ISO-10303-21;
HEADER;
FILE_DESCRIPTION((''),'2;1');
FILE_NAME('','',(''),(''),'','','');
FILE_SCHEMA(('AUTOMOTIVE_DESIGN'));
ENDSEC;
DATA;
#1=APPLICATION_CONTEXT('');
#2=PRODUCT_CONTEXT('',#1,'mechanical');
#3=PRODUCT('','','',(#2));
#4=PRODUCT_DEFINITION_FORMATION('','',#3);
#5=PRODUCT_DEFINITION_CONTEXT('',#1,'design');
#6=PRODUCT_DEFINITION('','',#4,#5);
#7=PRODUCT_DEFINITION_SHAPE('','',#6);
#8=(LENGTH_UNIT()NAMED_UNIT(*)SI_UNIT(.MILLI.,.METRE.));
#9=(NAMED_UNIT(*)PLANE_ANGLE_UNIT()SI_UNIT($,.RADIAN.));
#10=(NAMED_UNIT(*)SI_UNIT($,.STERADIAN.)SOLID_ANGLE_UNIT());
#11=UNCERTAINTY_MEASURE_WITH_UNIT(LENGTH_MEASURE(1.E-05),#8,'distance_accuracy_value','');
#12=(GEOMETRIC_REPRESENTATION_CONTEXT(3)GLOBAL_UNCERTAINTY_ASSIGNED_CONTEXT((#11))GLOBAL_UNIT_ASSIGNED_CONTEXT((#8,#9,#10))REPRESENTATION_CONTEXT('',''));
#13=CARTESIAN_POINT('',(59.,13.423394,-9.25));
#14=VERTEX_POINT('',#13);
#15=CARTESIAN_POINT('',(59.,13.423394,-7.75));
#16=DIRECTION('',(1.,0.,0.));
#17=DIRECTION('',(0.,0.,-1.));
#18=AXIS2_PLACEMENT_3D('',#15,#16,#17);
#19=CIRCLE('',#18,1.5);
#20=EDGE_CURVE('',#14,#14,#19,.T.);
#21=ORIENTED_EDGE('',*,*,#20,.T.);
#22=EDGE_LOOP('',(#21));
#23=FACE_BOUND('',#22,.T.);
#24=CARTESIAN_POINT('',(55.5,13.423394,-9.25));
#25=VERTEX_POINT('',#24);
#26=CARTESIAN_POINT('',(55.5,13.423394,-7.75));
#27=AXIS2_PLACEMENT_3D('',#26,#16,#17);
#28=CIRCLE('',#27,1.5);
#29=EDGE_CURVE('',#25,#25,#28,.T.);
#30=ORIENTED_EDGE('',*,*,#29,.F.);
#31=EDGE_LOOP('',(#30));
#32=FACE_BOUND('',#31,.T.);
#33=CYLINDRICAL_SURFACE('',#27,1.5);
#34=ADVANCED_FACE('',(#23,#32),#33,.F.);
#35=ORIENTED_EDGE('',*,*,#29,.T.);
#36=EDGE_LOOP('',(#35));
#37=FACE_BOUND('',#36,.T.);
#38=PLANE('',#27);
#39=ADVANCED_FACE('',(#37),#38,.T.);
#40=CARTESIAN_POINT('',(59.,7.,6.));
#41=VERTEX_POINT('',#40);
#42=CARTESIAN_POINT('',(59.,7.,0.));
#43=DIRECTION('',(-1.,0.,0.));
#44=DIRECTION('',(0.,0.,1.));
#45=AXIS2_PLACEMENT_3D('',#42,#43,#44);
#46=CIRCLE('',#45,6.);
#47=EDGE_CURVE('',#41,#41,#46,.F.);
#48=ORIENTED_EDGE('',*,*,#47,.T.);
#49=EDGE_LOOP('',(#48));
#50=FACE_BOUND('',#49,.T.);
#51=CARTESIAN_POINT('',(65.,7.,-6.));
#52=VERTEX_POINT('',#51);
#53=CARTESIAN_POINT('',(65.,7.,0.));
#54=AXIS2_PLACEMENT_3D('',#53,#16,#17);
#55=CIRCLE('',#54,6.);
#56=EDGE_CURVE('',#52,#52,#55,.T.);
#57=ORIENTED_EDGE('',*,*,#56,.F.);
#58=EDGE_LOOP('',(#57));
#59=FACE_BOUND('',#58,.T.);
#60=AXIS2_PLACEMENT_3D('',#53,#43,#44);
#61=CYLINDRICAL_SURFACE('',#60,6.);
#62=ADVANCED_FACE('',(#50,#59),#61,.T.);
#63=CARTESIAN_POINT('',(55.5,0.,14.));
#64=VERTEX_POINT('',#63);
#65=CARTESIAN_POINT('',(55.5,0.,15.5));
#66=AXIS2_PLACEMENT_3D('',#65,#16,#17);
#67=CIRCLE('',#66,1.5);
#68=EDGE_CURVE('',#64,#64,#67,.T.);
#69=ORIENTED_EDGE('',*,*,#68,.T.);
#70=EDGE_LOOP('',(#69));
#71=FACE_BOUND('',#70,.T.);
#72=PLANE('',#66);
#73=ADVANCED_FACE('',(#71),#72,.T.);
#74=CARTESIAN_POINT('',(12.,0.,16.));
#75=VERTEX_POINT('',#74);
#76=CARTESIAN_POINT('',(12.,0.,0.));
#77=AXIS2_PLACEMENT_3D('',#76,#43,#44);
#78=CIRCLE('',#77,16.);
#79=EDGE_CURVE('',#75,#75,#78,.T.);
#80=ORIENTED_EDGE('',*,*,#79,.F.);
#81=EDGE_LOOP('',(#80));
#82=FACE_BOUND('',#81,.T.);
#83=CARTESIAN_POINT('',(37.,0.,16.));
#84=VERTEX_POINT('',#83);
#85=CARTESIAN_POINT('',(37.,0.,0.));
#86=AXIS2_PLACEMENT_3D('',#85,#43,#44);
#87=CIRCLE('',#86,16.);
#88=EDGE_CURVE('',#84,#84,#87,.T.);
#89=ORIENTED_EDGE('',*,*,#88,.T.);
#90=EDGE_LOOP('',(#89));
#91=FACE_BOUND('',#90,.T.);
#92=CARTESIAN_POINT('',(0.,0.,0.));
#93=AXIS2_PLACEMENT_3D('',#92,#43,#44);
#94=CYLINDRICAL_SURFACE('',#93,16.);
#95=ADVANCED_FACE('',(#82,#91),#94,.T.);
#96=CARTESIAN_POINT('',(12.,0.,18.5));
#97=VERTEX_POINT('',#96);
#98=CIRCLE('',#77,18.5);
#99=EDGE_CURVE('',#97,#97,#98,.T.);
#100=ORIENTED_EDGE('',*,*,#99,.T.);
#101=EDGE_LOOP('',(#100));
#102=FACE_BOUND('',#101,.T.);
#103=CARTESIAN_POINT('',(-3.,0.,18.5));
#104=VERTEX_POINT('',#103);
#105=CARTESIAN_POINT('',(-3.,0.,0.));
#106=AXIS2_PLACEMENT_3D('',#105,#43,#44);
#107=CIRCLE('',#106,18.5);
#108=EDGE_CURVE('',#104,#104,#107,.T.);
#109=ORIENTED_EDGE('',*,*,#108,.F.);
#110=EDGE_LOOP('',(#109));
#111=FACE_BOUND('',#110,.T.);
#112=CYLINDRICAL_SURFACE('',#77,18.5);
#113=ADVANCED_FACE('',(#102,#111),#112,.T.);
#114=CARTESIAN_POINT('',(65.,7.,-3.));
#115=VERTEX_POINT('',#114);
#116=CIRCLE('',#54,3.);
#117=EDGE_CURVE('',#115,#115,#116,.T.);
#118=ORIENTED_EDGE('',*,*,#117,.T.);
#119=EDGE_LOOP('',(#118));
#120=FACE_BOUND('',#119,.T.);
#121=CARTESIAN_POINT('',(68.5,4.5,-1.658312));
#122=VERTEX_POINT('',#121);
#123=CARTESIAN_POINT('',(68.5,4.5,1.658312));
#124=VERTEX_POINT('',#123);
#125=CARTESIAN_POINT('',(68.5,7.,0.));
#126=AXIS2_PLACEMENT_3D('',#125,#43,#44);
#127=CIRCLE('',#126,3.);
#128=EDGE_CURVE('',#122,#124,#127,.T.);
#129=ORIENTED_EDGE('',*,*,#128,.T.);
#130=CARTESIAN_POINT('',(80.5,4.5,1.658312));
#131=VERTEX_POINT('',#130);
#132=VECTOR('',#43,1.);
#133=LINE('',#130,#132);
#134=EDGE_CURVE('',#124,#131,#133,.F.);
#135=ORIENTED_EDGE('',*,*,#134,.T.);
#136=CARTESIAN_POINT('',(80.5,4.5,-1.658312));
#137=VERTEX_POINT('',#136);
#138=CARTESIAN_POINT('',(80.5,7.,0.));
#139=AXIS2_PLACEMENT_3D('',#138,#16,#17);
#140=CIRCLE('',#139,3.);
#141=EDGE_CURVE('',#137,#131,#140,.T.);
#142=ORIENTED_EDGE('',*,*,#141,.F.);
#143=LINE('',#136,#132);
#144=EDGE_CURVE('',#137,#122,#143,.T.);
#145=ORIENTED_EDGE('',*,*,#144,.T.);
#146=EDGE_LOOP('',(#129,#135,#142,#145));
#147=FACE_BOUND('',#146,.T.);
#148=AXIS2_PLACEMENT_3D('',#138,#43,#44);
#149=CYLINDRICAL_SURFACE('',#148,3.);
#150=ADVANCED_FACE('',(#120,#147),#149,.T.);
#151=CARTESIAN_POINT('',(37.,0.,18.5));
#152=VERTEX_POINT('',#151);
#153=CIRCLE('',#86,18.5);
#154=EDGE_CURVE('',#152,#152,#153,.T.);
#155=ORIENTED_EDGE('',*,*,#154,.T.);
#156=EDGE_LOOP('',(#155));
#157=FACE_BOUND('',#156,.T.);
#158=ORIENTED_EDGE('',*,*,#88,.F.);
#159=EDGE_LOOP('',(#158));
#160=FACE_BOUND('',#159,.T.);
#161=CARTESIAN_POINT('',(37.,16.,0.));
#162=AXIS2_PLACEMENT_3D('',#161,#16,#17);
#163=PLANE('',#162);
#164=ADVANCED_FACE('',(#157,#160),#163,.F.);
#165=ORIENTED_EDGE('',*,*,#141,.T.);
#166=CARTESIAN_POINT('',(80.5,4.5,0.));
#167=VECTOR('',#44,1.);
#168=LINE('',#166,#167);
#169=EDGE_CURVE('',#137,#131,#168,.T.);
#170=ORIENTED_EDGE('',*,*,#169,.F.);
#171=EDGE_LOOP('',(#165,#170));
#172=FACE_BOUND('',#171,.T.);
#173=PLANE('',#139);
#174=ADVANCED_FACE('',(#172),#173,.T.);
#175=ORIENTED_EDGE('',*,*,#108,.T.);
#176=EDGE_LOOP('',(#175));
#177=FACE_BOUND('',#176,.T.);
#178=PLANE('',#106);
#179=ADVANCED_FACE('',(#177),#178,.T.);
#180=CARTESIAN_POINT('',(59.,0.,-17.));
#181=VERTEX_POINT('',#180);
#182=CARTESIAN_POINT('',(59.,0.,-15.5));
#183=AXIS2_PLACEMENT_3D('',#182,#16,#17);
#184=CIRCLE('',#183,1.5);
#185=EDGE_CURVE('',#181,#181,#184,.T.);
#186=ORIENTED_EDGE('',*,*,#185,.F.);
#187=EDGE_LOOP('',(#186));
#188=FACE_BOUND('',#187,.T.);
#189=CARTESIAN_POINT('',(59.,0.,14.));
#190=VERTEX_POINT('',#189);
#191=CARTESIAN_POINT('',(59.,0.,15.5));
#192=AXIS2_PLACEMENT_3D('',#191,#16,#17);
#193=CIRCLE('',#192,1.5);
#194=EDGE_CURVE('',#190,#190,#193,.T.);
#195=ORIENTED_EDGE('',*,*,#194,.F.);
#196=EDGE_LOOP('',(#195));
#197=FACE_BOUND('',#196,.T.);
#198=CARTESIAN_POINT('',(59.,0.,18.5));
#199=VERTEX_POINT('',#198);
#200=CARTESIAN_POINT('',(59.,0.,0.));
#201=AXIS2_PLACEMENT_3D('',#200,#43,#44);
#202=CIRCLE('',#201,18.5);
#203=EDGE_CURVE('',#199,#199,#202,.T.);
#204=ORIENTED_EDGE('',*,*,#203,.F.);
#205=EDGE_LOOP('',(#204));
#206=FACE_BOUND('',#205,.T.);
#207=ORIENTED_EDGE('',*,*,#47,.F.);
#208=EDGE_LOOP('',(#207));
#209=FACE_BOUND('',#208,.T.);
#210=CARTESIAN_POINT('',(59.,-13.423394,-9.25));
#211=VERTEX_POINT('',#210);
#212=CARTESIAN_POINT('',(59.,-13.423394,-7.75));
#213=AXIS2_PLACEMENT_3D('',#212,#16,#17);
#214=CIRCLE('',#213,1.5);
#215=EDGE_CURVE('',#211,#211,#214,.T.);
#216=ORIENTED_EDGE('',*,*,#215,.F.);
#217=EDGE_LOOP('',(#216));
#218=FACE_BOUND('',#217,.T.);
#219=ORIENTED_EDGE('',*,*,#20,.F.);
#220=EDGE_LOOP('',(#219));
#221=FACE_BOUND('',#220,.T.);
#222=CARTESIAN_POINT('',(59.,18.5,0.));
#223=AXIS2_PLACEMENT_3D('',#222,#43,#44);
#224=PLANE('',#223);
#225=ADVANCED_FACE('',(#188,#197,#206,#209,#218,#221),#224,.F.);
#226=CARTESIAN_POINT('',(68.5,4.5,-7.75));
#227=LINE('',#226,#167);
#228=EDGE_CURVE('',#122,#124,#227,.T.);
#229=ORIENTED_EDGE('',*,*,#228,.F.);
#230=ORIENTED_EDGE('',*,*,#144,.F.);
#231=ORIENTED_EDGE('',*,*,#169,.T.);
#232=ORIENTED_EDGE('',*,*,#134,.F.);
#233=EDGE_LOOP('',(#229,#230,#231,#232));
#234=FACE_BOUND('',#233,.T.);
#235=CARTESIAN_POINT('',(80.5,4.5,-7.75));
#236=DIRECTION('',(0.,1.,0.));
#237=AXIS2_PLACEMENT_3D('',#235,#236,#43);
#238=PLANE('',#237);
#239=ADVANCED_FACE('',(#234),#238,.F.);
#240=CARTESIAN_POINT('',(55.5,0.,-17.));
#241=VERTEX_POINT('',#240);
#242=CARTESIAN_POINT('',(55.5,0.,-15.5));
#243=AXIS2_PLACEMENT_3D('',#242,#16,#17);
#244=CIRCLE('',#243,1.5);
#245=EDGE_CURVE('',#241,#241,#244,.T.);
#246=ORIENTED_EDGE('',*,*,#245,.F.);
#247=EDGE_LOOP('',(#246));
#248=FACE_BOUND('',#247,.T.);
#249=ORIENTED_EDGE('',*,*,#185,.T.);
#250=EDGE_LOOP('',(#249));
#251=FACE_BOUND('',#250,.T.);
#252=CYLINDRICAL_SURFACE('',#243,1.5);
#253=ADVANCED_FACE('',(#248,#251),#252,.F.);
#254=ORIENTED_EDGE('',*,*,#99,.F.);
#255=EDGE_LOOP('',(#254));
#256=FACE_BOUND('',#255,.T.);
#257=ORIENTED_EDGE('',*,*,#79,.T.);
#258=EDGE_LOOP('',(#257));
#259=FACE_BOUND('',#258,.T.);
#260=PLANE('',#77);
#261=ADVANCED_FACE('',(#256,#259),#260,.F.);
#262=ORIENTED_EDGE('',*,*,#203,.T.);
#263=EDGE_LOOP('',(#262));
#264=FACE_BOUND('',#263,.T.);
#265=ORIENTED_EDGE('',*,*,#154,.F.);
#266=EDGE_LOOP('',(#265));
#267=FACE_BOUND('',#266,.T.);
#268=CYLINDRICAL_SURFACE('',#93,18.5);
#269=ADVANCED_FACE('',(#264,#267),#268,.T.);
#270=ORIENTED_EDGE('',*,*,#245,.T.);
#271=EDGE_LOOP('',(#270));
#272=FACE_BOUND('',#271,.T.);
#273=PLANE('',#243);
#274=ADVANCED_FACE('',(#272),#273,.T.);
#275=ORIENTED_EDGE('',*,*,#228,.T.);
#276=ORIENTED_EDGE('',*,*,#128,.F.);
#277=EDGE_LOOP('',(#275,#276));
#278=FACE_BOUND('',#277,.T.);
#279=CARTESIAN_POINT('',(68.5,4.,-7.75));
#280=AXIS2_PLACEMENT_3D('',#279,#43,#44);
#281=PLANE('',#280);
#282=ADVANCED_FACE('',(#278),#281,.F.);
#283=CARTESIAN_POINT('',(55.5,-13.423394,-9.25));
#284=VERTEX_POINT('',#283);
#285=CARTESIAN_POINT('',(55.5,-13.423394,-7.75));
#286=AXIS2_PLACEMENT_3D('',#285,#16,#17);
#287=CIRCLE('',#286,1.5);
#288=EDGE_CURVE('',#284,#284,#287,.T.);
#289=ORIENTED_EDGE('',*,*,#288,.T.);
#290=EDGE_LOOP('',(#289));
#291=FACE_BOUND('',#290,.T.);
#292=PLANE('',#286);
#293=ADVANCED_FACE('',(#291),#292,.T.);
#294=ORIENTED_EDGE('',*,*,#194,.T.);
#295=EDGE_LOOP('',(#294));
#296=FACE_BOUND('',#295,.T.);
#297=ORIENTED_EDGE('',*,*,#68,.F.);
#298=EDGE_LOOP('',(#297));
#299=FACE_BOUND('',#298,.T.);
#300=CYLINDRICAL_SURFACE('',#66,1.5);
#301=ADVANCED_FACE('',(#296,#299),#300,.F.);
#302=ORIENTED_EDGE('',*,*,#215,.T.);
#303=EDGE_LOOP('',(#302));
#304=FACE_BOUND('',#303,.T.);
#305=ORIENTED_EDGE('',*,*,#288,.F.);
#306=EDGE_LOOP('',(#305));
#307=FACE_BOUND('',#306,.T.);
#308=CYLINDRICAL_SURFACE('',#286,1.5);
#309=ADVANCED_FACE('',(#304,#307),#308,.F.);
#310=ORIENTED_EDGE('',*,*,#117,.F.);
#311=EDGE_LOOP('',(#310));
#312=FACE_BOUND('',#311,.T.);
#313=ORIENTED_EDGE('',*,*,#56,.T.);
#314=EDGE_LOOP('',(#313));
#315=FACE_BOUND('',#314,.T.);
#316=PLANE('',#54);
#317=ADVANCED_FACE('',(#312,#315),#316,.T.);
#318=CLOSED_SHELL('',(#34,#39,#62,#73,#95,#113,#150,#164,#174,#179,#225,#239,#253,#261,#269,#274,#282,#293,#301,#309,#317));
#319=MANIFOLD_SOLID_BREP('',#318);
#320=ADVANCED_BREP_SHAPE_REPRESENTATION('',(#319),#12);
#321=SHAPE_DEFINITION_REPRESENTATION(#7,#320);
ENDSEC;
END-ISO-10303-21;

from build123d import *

# Parameters (mm, degrees)
ESQUISSE2_R             = 6
BOSS_EXTRU_1_DEPTH      = 6
ESQUISSE3_R             = 3
BOSS_EXTRU_2_DEPTH      = 15.5
ESQUISSE4_W             = 12
ESQUISSE4_H             = 0.5
ENL_V_MAT_EXTRU_1_DEPTH = 7.75
ESQUISSE5_R             = 1.5
ENL_V_MAT_EXTRU_2_DEPTH = 3.5
ESQUISSE6_W             = 3
ESQUISSE6_H             = 1
BOSS_EXTRU_3_DEPTH      = 4
ESQUISSE7_R             = 18.5
BOSS_EXTRU_4_DEPTH      = 10
BOSS_EXTRU_4_DEPTH_BACK = 5


with BuildPart() as part:
    # Esquisse1 → Révolution1 (revolve)
    with BuildSketch(Plane.XY):
        Polygon((0, 0), (0, 7), (7, 7), (7, 16), (37, 16), (37, 18.5), (59, 18.5), (59, 0), align=None)
    revolve(axis=Axis((0, 0, 0), (1, 0, 0)))

    # Esquisse2 → Boss.-Extru.1 (add)
    with BuildSketch(Plane(origin=(59, 0, 0), x_dir=(0, 0, -1), z_dir=(1, 0, 0))):
        with Locations((0, 7)):
            Circle(ESQUISSE2_R)
    extrude(amount=BOSS_EXTRU_1_DEPTH)

    # Esquisse3 → Boss.-Extru.2 (add)
    with BuildSketch(Plane(origin=(65, 0, 0), x_dir=(0, 0, -1), z_dir=(1, 0, 0))):
        with Locations((0, 7)):
            Circle(ESQUISSE3_R)
    extrude(amount=BOSS_EXTRU_2_DEPTH)

    # Esquisse4 → Enlèv. mat.-Extru.1 (cut, symmetric)
    with BuildSketch(Plane.XY):
        with Locations((74.5, 4.25)):
            Rectangle(ESQUISSE4_W, ESQUISSE4_H)
    extrude(amount=ENL_V_MAT_EXTRU_1_DEPTH, both=True, mode=Mode.SUBTRACT)

    # Esquisse5 → Enlèv. mat.-Extru.2 (cut)
    with BuildSketch(Plane(origin=(59, 0, 0), x_dir=(0, 0, -1), z_dir=(1, 0, 0))):
        with Locations((15.5, 0)):
            Circle(ESQUISSE5_R)
        with Locations((7.75, 13.423393759)):
            Circle(ESQUISSE5_R)
        with Locations((7.75, -13.423393759)):
            Circle(ESQUISSE5_R)
        with Locations((-15.5, 0)):
            Circle(ESQUISSE5_R)
    extrude(amount=-ENL_V_MAT_EXTRU_2_DEPTH, mode=Mode.SUBTRACT)

    # Esquisse6 → Boss.-Extru.3 (add)
    with BuildSketch(Plane.ZY.offset(-7)):
        with Locations((0, 12.939057981)):
            Rectangle(ESQUISSE6_W, ESQUISSE6_H)
        with Locations((0, -12.939057981)):
            Rectangle(ESQUISSE6_W, ESQUISSE6_H)
    extrude(amount=BOSS_EXTRU_3_DEPTH)

    # Esquisse7 → Boss.-Extru.4 (add, two sides)
    with BuildSketch(Plane.ZY.offset(-7)) as boss_extru_4_sk:
        Circle(ESQUISSE7_R)
    extrude(amount=BOSS_EXTRU_4_DEPTH)
    extrude(boss_extru_4_sk.sketch, amount=-BOSS_EXTRU_4_DEPTH_BACK)


solid = part.part
